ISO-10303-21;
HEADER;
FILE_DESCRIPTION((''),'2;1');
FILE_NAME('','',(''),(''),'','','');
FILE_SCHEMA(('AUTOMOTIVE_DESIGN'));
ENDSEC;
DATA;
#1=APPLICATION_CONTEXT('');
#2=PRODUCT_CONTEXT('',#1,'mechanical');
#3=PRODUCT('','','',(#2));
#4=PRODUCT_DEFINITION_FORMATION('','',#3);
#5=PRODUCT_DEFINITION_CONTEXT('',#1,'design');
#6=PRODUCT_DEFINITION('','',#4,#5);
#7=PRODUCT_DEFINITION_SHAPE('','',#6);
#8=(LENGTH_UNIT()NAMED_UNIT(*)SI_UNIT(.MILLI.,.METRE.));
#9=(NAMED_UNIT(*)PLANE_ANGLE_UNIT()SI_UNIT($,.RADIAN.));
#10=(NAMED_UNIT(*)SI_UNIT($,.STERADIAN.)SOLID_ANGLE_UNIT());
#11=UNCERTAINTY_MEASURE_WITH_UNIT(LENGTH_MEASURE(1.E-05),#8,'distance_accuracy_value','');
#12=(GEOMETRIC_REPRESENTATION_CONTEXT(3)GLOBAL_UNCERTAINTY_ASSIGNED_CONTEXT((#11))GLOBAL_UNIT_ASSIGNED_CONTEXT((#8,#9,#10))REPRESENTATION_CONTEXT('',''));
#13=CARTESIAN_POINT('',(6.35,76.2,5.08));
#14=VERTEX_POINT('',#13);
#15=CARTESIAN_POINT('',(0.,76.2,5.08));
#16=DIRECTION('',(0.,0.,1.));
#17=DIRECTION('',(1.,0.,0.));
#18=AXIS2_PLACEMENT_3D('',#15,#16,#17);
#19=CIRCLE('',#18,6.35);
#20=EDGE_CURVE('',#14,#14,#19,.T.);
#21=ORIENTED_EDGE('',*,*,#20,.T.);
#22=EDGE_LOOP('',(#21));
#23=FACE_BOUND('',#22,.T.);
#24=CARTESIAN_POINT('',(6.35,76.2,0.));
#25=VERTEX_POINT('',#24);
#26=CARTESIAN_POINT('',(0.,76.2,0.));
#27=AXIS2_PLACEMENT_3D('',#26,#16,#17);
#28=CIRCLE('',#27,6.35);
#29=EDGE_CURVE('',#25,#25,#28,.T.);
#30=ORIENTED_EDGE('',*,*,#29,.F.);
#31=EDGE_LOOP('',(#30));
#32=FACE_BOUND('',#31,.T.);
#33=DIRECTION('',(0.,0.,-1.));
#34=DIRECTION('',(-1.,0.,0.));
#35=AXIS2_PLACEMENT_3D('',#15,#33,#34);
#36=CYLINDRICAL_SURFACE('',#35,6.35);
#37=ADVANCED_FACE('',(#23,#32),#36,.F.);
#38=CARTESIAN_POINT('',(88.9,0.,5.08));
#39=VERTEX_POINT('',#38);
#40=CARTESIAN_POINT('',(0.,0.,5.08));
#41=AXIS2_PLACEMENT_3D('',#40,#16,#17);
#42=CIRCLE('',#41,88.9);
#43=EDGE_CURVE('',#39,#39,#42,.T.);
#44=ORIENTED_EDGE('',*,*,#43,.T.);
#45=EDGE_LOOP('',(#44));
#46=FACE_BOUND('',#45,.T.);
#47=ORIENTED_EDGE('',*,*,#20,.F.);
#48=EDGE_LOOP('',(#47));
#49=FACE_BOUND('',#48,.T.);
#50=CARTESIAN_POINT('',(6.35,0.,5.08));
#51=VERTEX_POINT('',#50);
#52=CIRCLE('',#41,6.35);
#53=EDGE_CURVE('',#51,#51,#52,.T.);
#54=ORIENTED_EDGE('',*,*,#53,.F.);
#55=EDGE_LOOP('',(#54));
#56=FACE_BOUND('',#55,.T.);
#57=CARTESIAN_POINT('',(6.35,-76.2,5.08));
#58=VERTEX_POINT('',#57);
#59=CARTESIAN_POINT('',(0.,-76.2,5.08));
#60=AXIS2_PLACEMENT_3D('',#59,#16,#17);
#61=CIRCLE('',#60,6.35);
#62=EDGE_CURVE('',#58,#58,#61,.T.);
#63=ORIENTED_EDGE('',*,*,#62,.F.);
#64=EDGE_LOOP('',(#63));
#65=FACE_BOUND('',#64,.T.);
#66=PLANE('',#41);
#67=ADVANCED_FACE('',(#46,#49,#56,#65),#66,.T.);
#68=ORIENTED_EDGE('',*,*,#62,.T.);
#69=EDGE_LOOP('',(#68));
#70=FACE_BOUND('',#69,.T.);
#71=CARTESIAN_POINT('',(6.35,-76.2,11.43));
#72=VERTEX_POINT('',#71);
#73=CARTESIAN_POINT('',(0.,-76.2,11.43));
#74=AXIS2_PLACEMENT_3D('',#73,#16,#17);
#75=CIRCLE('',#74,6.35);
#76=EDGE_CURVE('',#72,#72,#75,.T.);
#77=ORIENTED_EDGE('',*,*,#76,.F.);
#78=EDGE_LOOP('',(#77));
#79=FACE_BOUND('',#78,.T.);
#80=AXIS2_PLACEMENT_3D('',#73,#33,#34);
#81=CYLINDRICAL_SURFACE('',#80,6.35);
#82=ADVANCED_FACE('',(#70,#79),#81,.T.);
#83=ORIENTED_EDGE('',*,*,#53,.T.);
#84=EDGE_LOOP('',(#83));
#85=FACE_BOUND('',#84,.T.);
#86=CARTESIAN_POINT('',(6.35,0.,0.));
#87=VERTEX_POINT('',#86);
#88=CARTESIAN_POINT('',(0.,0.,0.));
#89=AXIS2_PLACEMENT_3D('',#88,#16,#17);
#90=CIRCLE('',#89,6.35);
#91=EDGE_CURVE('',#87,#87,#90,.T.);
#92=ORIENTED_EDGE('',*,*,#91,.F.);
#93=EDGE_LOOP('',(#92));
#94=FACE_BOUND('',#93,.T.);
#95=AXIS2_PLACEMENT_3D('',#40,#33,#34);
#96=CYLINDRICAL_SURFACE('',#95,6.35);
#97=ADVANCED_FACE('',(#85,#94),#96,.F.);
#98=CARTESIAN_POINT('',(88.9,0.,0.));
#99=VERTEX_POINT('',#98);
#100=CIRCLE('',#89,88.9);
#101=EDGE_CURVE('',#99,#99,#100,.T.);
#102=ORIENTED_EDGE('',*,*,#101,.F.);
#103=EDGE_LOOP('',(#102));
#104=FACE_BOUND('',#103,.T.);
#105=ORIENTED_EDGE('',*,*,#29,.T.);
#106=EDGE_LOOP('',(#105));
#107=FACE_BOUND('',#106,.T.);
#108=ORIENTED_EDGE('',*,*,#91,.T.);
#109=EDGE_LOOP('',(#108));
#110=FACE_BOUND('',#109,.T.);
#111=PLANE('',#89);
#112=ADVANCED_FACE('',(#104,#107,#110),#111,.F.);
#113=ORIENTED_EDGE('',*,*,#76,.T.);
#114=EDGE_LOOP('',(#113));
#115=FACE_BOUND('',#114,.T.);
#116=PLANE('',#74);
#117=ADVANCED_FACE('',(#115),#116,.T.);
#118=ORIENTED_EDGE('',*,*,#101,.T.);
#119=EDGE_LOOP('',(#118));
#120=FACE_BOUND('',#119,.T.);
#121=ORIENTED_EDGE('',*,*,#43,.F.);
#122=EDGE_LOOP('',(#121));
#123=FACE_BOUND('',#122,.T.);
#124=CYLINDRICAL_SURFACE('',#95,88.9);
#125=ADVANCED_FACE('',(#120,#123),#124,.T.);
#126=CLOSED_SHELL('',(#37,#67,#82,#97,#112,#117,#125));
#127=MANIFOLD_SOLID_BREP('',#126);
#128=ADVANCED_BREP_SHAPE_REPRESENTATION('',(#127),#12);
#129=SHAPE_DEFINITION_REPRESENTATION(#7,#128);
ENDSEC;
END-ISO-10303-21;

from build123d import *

# Parameters (mm, degrees)
SKETCH1_R           = 88.9
SKETCH1_R_2         = 6.35
BOSS_EXTRUDE1_DEPTH = 5.08
SKETCH2_R           = 6.35
BOSS_EXTRUDE2_DEPTH = 11.43


with BuildPart() as part:
    # Sketch1 → Boss-Extrude1 (new body)
    with BuildSketch(Plane.XY):
        Circle(SKETCH1_R)
        Circle(SKETCH1_R_2, mode=Mode.SUBTRACT)
        with Locations((0, -76.2)):
            Circle(SKETCH1_R_2, mode=Mode.SUBTRACT)
        with Locations((0, 76.2)):
            Circle(SKETCH1_R_2, mode=Mode.SUBTRACT)
    extrude(amount=BOSS_EXTRUDE1_DEPTH)

    # Sketch2 → Boss-Extrude2 (add)
    with BuildSketch(Plane.XY):
        with Locations((0, -76.2)):
            Circle(SKETCH2_R)
    extrude(amount=BOSS_EXTRUDE2_DEPTH)


solid = part.part
